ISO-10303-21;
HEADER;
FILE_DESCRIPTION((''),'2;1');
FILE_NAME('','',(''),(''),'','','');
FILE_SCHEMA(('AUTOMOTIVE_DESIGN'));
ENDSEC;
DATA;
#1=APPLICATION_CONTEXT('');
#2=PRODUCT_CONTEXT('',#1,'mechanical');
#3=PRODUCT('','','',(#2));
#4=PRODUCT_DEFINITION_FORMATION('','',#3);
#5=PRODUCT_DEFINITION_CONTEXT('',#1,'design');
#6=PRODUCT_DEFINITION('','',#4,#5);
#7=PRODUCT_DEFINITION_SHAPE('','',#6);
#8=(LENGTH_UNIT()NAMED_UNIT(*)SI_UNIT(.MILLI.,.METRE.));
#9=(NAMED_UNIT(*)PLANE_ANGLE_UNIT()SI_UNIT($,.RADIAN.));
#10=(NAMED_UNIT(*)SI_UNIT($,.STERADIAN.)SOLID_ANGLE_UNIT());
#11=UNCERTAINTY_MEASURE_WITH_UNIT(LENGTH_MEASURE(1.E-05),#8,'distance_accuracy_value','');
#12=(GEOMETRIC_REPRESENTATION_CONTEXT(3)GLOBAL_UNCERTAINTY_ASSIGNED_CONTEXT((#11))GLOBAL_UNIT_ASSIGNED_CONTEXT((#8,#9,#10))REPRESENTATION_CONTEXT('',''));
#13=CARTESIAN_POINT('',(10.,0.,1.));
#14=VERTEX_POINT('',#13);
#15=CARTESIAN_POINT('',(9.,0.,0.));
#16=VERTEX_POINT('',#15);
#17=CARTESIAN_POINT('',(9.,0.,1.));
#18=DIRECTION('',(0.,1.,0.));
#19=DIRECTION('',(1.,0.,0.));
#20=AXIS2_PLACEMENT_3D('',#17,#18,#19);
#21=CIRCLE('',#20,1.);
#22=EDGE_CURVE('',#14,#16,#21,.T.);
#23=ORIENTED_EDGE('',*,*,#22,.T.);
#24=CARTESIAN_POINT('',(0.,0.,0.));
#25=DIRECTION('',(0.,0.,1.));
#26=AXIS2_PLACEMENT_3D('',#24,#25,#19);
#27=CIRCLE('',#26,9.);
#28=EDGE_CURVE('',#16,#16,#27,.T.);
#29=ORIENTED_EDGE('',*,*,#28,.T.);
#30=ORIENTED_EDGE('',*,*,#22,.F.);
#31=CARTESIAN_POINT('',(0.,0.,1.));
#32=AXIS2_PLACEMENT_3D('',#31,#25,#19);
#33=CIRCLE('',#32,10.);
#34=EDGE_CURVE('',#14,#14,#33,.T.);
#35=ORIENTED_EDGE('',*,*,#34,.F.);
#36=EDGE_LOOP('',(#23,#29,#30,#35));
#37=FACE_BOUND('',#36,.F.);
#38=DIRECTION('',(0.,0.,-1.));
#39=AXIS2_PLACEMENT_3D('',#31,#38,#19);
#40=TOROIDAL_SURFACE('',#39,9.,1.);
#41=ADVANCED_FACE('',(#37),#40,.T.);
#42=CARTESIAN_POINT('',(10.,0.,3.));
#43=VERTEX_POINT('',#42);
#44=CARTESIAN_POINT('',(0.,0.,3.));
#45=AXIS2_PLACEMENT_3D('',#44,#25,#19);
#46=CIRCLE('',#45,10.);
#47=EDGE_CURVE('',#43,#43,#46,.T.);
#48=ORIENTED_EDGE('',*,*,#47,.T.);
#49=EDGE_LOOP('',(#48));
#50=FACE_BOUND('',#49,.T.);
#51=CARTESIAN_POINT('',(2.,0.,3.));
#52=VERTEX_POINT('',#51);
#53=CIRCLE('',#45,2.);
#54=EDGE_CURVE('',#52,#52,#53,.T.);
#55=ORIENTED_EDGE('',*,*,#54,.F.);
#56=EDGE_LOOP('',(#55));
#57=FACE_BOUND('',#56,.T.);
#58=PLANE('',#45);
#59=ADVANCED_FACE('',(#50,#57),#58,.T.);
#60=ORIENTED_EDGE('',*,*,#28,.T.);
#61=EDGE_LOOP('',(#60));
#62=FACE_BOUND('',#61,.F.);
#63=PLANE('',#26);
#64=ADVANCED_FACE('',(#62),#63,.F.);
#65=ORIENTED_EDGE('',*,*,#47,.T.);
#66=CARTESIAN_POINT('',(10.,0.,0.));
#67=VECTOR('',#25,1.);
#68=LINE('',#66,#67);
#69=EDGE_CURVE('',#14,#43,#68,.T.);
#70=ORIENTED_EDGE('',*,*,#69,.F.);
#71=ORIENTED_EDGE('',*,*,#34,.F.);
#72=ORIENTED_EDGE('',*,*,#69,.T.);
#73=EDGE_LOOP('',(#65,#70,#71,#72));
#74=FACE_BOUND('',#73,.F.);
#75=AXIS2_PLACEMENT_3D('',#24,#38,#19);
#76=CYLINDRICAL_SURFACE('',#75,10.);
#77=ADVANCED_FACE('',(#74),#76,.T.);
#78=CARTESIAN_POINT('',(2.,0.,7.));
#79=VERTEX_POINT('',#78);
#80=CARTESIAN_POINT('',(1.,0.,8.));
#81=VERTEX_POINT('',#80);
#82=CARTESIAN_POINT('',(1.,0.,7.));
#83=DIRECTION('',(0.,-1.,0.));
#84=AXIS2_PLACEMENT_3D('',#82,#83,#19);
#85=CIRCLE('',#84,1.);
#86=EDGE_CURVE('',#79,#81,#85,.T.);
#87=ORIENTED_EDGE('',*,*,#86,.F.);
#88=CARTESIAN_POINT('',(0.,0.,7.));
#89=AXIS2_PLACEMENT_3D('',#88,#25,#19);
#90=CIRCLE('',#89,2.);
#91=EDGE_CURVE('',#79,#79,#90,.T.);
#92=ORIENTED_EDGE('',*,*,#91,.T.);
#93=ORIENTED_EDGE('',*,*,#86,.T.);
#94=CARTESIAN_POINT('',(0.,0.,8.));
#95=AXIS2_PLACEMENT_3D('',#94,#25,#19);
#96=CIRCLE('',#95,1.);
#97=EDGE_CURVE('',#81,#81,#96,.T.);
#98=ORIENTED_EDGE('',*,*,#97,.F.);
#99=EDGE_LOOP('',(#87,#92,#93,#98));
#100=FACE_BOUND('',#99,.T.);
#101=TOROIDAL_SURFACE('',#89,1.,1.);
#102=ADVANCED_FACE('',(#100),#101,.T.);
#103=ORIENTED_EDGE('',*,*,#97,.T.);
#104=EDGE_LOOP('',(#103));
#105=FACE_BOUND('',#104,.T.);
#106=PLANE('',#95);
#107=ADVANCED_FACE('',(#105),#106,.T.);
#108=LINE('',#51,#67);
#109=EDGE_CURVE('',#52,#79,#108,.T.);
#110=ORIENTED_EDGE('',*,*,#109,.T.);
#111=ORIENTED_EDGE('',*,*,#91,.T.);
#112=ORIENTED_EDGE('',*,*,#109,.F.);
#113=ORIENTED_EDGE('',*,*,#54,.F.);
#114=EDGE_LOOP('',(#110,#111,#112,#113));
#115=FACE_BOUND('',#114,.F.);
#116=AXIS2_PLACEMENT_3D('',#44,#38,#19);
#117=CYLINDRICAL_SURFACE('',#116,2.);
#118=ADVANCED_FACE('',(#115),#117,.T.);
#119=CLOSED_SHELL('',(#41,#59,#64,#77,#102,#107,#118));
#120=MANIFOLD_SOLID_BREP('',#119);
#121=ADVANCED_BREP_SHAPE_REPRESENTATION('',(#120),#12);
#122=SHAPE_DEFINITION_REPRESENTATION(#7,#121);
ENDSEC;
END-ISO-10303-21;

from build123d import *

# Parameters (mm, degrees)
SKETCH_R     = 10
PAD_DEPTH    = 3
SKETCH001_R  = 2
PAD001_DEPTH = 5
FILLET_R     = 1
FILLET001_R  = 1


with BuildPart() as part:
    # Sketch → Pad (new body)
    with BuildSketch(Plane.XY):
        Circle(SKETCH_R)
    extrude(amount=PAD_DEPTH)

    # Sketch001 (on Face3 of Pad) → Pad001 (join)
    with BuildSketch(Plane.XY.offset(3)):
        Circle(SKETCH001_R)
    extrude(amount=PAD001_DEPTH)

    # Fillet
    fillet_edges = [part.edges().sort_by_distance(p)[0] for p in [
        (-2, 0, 8),
    ]]
    fillet(fillet_edges, radius=FILLET_R)

    # Fillet001
    fillet001_edges = [part.edges().sort_by_distance(p)[0] for p in [
        (-10, 0, 0),
    ]]
    fillet(fillet001_edges, radius=FILLET001_R)


solid = part.part
